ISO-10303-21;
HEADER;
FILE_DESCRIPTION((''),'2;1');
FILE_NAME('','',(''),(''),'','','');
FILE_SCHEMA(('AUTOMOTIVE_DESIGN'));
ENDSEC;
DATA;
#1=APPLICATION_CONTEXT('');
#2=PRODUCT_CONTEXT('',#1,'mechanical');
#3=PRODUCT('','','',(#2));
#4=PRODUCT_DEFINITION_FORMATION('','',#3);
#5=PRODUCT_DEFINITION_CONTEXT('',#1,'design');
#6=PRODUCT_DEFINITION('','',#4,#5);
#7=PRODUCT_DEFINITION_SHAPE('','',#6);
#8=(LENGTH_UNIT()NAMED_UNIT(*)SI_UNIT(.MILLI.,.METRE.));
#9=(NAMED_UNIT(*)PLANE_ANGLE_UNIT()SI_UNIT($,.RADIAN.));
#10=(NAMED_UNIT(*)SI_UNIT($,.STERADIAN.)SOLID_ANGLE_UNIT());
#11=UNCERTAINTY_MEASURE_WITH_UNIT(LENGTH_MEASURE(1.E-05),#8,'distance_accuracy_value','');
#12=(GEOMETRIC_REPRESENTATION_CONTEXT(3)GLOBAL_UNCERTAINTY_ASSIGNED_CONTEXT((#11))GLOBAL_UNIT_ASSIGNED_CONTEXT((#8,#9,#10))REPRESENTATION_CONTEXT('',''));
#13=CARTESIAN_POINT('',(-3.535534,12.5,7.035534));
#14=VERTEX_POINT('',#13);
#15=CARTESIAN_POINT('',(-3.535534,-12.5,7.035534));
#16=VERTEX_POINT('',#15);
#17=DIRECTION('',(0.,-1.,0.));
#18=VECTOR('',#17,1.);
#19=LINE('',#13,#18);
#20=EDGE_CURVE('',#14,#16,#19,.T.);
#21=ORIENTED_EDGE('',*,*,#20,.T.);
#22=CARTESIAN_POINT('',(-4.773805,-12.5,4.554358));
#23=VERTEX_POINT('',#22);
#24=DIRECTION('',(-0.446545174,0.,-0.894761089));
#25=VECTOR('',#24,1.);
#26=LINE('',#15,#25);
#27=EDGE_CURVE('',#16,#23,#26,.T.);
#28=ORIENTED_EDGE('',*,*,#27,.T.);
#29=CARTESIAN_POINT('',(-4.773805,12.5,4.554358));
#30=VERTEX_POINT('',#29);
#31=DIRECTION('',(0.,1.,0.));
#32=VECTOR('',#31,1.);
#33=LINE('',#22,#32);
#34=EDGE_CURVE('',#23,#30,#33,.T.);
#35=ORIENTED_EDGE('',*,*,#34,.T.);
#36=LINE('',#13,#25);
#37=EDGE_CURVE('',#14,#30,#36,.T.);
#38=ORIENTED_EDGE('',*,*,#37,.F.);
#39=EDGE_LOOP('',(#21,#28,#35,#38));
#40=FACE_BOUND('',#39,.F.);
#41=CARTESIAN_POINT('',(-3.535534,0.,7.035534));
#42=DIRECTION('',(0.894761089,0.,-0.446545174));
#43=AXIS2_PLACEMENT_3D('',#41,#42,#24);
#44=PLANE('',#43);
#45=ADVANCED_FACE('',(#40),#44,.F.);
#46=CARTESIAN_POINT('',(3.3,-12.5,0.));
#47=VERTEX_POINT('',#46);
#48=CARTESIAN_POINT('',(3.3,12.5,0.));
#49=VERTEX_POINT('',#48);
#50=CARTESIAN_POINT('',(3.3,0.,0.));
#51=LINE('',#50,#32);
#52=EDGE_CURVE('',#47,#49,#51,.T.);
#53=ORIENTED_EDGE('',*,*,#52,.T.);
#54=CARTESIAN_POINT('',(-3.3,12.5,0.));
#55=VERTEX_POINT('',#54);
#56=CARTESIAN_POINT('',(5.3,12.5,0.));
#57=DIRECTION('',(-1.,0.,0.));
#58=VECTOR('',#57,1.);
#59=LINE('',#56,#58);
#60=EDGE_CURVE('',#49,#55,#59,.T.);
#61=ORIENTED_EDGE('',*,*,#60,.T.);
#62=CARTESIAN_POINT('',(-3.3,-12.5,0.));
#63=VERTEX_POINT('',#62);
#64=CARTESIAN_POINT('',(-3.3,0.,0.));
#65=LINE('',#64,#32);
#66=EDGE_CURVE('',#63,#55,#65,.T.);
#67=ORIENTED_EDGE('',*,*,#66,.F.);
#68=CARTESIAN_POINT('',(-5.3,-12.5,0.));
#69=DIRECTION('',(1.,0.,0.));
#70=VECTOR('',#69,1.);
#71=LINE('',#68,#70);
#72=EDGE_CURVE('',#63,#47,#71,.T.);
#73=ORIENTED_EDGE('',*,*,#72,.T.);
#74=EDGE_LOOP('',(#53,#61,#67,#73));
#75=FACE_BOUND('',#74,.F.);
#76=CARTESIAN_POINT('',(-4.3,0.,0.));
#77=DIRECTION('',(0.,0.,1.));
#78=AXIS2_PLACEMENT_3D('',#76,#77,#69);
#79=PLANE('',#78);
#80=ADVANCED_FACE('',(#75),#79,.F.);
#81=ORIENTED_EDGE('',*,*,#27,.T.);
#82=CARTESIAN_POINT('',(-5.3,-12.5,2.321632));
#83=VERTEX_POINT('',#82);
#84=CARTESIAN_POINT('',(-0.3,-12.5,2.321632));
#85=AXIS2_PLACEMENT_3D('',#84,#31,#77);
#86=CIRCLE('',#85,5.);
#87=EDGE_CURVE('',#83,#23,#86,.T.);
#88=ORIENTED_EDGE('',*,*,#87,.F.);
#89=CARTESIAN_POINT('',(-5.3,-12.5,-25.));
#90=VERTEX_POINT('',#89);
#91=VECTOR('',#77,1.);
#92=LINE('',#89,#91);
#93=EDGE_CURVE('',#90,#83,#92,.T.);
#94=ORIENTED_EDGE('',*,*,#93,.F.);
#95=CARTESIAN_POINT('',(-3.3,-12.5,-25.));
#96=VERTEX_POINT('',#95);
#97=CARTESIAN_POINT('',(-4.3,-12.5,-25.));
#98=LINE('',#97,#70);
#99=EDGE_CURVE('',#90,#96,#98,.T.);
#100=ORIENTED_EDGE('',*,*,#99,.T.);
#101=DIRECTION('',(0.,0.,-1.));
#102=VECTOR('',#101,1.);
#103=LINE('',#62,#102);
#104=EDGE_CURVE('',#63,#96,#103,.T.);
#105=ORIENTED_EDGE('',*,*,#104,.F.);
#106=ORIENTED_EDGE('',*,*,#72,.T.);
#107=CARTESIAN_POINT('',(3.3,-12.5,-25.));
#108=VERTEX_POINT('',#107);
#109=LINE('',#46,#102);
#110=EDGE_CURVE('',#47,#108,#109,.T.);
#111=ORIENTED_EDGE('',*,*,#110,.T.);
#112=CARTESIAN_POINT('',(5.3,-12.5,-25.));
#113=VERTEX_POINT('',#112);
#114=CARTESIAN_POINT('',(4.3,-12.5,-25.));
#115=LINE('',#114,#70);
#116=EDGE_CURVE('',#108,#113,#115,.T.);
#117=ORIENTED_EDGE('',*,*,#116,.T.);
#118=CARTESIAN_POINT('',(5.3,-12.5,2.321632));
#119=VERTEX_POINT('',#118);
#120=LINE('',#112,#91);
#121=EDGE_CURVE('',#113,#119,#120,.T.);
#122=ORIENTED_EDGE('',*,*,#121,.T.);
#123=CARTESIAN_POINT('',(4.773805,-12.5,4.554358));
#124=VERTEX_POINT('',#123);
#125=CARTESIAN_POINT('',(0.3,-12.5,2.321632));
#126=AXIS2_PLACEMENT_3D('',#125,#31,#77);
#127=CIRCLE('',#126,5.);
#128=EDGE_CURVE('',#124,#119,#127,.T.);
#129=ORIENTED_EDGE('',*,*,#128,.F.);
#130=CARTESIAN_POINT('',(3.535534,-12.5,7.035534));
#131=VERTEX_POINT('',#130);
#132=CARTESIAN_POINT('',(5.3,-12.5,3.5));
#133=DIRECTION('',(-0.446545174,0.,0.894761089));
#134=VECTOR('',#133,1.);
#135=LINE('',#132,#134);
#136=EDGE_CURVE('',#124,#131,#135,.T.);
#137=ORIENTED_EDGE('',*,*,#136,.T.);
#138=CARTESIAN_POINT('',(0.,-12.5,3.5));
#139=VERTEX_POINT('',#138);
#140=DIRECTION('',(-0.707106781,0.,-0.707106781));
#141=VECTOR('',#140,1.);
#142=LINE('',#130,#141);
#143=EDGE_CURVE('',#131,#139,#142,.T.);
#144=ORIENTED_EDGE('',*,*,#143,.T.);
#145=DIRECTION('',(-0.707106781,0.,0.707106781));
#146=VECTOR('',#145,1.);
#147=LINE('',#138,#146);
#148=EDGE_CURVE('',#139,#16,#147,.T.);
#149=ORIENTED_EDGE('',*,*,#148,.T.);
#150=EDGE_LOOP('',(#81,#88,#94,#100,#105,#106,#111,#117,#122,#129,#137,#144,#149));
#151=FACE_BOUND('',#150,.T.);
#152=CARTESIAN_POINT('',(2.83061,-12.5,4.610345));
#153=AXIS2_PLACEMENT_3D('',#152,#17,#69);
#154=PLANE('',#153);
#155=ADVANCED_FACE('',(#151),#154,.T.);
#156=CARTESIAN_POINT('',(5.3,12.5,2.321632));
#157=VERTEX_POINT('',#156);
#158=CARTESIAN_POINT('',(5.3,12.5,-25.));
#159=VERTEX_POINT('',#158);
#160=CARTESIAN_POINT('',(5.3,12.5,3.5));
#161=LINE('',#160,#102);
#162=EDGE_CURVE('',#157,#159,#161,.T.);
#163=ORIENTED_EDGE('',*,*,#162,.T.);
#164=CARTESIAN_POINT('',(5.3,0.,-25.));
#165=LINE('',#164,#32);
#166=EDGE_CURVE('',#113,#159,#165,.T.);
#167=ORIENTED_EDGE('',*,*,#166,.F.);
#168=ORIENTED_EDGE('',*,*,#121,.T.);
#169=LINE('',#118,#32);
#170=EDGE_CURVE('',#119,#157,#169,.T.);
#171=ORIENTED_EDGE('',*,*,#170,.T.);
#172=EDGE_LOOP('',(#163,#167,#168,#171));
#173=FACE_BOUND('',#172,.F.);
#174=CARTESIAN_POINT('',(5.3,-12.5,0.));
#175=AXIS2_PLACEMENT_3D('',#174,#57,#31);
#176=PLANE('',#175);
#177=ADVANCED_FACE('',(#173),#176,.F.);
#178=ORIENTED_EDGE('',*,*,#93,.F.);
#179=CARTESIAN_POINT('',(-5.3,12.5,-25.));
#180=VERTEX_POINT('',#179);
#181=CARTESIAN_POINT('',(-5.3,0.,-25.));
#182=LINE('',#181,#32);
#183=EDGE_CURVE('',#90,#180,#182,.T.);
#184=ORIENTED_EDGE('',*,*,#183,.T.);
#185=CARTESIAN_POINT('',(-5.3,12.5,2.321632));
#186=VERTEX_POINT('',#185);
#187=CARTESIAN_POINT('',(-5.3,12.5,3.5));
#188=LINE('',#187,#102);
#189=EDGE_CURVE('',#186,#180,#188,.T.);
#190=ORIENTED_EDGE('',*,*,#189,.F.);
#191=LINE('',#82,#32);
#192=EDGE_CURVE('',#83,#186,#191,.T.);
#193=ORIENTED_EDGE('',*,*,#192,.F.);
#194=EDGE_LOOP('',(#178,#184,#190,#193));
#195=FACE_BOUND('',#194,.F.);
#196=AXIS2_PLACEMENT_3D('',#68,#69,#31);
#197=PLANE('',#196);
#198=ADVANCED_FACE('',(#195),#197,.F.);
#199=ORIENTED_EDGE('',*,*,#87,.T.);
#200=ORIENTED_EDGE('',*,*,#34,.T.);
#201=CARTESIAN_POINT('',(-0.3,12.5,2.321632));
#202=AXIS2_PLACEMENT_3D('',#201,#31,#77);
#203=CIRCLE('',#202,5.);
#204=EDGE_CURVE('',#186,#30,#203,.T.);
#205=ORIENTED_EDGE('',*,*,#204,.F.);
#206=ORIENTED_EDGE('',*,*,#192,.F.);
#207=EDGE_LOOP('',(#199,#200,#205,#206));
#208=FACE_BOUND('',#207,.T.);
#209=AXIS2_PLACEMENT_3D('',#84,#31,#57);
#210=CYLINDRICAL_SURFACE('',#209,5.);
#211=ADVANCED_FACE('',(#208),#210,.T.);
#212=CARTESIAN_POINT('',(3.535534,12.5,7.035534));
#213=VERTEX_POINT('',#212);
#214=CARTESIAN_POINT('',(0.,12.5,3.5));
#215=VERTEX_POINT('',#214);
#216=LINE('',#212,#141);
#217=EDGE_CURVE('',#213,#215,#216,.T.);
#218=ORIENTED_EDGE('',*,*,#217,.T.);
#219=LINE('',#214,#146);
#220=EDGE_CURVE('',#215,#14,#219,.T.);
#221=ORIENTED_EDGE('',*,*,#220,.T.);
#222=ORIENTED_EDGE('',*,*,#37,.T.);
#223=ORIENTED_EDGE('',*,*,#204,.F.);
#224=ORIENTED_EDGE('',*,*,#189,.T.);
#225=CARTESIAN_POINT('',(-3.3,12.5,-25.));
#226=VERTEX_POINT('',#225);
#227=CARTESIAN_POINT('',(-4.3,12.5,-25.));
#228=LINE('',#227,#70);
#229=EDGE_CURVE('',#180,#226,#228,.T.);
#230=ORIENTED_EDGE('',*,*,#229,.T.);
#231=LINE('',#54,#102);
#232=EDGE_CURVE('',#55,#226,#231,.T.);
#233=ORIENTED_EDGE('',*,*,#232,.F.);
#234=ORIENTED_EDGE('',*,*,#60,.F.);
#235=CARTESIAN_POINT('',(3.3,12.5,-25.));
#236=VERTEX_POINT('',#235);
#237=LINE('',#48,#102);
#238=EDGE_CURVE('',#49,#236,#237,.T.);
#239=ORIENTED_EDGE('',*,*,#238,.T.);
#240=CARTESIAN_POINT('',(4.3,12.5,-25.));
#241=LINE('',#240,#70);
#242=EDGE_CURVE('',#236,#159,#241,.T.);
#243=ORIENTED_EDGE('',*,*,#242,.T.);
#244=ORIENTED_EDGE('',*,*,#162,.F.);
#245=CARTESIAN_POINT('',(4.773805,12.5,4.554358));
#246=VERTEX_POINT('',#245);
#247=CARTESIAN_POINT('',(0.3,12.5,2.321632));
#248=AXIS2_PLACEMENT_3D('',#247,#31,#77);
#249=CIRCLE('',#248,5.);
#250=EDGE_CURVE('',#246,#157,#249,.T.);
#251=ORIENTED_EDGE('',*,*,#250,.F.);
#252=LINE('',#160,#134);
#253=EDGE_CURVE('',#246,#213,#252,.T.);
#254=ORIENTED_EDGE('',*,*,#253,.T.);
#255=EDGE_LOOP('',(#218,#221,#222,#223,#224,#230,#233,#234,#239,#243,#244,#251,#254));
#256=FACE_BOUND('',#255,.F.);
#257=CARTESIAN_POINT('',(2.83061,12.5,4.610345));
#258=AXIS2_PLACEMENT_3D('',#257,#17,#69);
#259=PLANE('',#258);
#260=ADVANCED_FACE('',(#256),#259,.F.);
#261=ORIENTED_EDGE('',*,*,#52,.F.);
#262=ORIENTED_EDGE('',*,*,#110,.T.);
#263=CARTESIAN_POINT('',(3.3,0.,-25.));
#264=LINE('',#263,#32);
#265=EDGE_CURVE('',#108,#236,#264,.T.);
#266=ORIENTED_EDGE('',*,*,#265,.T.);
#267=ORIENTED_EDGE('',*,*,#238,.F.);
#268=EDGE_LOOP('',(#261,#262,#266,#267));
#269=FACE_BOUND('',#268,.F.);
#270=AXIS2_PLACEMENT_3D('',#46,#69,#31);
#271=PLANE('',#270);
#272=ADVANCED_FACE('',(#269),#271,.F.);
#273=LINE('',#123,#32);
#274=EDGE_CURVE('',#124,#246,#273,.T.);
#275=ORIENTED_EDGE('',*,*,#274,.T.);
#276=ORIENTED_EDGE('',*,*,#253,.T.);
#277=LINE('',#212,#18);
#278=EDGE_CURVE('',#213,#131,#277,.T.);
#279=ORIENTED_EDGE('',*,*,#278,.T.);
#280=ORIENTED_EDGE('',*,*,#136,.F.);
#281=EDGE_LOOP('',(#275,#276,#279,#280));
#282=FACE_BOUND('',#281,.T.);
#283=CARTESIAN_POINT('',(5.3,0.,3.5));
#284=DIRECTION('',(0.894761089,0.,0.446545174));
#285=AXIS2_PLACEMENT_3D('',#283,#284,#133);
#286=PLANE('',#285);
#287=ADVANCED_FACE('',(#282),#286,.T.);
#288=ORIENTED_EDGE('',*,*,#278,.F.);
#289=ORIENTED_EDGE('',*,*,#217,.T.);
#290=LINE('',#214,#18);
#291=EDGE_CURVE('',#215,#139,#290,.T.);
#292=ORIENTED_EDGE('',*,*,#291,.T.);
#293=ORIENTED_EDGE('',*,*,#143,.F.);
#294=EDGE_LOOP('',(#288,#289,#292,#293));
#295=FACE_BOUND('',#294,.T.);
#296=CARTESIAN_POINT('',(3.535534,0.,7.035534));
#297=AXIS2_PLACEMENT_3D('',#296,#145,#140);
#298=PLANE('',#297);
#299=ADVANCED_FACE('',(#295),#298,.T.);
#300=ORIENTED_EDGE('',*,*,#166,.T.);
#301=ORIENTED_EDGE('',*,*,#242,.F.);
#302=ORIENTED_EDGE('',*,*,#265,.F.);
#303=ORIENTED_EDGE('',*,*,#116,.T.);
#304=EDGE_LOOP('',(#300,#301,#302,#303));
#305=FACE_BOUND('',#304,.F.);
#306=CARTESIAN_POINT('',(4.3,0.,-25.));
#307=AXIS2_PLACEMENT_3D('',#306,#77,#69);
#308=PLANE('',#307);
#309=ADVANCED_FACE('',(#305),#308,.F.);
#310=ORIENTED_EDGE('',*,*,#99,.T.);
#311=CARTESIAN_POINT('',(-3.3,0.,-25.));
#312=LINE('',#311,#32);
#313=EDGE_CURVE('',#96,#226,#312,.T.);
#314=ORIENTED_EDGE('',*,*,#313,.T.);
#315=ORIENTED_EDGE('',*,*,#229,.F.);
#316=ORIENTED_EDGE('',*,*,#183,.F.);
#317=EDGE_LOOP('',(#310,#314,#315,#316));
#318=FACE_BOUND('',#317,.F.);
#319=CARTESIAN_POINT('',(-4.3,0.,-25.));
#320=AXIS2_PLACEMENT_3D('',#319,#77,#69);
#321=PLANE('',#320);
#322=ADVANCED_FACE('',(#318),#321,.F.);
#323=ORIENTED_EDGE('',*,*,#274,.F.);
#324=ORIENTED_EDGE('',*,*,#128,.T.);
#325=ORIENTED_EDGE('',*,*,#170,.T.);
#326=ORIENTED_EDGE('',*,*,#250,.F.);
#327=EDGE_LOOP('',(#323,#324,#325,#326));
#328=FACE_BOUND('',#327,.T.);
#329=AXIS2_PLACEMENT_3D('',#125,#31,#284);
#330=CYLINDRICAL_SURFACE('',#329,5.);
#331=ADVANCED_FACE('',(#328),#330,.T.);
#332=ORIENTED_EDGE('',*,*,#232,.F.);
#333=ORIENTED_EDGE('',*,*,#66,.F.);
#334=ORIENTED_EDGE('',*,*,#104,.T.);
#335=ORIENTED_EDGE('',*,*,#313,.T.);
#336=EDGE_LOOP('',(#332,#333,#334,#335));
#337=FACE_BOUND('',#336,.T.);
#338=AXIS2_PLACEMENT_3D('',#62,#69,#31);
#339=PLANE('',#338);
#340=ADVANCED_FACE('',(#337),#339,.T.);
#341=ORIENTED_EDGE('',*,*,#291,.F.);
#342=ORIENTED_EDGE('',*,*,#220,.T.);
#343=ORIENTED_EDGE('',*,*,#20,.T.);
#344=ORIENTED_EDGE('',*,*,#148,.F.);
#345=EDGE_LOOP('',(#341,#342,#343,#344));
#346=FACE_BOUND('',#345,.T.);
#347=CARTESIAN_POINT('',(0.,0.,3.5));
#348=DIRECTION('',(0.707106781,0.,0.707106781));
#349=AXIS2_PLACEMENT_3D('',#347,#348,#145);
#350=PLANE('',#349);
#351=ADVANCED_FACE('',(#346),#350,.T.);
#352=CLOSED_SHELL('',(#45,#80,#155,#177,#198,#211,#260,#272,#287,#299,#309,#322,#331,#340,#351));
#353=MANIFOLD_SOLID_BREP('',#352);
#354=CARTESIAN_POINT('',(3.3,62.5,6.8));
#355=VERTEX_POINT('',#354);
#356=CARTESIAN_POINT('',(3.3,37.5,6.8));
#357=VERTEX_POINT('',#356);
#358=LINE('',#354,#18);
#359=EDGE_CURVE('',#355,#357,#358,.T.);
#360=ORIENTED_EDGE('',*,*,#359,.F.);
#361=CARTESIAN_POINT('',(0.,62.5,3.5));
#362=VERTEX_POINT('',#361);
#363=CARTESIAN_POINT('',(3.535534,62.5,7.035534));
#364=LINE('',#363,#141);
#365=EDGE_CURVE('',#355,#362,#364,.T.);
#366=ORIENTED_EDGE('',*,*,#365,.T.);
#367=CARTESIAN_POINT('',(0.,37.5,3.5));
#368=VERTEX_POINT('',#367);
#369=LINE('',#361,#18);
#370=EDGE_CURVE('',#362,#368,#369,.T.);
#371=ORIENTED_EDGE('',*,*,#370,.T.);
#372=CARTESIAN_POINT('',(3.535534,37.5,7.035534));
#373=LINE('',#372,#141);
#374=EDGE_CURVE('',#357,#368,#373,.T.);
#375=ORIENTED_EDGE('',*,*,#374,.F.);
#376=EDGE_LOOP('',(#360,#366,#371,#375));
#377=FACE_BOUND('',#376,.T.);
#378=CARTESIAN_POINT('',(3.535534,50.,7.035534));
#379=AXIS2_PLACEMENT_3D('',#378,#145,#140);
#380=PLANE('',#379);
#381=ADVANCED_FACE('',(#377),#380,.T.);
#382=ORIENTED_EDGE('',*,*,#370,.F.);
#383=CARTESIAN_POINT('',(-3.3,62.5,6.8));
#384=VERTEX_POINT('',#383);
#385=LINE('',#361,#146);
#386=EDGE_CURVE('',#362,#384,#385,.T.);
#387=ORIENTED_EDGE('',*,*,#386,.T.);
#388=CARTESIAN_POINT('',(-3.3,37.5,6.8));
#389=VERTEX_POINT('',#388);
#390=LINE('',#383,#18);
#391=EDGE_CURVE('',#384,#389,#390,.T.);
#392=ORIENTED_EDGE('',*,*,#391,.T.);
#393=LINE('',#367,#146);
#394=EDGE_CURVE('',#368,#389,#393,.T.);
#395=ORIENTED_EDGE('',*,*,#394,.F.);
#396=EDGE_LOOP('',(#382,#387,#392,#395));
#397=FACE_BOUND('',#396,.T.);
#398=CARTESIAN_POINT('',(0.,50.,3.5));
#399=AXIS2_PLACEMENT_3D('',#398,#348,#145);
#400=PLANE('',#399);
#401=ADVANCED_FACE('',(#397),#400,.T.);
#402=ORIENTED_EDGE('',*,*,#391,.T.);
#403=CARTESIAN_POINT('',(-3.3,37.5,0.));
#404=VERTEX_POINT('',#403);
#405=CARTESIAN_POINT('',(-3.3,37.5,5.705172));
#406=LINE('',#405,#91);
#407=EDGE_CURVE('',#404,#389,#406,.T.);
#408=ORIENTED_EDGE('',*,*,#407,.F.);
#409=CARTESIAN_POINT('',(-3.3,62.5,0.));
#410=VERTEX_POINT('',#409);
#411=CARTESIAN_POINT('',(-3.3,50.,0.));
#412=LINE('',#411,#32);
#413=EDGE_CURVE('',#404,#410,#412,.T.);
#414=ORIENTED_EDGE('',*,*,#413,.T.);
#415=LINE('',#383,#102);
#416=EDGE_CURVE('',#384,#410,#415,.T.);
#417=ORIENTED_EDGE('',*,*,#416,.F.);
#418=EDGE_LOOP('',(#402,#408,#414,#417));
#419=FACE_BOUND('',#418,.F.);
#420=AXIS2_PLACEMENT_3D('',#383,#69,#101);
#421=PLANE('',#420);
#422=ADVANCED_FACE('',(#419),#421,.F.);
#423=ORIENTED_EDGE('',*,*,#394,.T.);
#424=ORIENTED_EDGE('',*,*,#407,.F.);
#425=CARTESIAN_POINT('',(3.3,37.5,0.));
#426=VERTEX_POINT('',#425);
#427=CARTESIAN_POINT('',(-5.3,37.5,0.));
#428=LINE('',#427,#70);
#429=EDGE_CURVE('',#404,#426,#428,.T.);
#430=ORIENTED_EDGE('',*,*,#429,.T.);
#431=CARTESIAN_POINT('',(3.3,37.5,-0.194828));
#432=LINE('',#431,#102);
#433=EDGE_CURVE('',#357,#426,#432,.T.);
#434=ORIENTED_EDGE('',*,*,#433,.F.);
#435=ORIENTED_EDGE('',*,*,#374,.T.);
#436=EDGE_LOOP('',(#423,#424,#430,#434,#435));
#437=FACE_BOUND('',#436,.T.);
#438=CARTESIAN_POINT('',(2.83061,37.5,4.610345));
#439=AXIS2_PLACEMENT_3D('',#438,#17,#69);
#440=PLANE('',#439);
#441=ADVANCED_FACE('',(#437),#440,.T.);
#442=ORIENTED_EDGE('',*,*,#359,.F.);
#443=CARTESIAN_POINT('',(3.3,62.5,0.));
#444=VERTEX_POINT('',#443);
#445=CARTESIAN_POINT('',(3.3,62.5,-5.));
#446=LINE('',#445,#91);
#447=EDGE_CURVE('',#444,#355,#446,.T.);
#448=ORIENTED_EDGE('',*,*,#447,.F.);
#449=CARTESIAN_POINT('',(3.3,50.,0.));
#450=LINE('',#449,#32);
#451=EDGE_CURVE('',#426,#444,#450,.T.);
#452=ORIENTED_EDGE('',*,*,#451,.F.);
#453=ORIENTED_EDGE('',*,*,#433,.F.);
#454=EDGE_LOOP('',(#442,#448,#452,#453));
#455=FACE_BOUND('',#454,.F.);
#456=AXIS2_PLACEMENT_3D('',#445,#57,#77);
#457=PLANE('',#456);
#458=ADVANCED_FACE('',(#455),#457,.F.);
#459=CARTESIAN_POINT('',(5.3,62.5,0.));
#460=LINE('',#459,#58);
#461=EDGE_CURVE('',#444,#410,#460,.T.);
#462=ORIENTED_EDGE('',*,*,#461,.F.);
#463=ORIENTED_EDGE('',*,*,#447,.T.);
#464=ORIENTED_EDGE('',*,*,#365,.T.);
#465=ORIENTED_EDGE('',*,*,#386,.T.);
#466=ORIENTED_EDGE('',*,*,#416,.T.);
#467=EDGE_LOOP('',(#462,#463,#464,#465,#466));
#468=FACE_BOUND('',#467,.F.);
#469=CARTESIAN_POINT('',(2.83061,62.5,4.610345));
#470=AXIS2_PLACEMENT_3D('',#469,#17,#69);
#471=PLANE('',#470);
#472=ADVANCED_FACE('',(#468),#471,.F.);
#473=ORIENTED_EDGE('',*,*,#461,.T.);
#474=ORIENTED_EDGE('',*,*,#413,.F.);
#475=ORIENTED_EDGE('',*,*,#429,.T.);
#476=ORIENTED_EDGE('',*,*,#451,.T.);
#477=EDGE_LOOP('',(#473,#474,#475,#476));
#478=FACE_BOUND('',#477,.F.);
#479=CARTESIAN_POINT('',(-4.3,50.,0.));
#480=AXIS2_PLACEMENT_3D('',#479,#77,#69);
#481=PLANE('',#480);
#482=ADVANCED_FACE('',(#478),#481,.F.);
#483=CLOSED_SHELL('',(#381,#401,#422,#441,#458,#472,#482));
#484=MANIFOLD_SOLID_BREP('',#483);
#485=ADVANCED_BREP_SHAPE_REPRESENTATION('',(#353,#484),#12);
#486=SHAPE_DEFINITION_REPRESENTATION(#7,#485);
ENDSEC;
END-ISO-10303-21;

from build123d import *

# Parameters (mm, degrees)
F0_W          = 2
F0_H          = 25
F0_W_2        = 6.6
F1_DEPTH      = 3.5
F2_DEPTH      = 25
F4_DEPTH      = 12.5
F4_DEPTH_BACK = 12.5
F5_R          = 5
F7_W          = 25
F7_H          = 20
F8_DEPTH      = 25
F10_DEPTH     = 27.2


with BuildPart() as f1:
    # F0 (on Top) → F1 (new body)
    with BuildSketch(Plane.XY):
        with Locations((-4.3, 0)):
            Rectangle(F0_W, F0_H)
        Rectangle(F0_W_2, F0_H)
        with Locations((4.3, 0)):
            Rectangle(F0_W, F0_H)
    extrude(amount=F1_DEPTH)

    # F0 (on Top) → F2 (join)
    with BuildSketch(Plane.XY):
        with Locations((-4.3, 0)):
            Rectangle(F0_W, F0_H)
        with Locations((4.3, 0)):
            Rectangle(F0_W, F0_H)
    extrude(amount=-F2_DEPTH)

    # F3 (on Front) → F4 (join, two sides)
    with BuildSketch(Plane.XZ) as f4_sk:
        Polygon((0, 3.5), (5.3, 3.5), (3.5355339059, 7.0355339059), align=None)
        Polygon((-5.3, 3.5), (0, 3.5), (-3.5355339059, 7.0355339059), align=None)
    extrude(amount=F4_DEPTH)
    extrude(f4_sk.sketch, amount=-F4_DEPTH_BACK)

    # F5
    f5_edges = [f1.edges().sort_by_distance(p)[0] for p in [
        (-5.3, 0, 3.5),
        (5.3, 0, 3.5),
    ]]
    fillet(f5_edges, radius=F5_R)


with BuildPart() as f6_1:
    # F6: copy of F1
    add(f1.part.moved(Location((0, 50, 0))))

    # F7 (on face) → F8 (cut)
    with BuildSketch(Plane.YZ.offset(5.3)):
        with Locations((50, -15)):
            Rectangle(F7_W, F7_H)
    extrude(amount=-F8_DEPTH, mode=Mode.SUBTRACT)

    # F9 (on face) → F10 (cut)
    with BuildSketch(Plane(origin=(0, 62.5, 0), x_dir=(-1, 0, 0), z_dir=(0, 1, 0))):
        with BuildLine():
            Line((-5.3, 2.3216319807), (-5.3, -5))
            Line((-5.3, -5), (-3.3, -5))
            Line((-3.3, -5), (-3.3, 0))
            Line((-3.3, 0), (-3.3, 6.8))
            Line((-3.3, 6.8), (-3.5355339059, 7.0355339059))
            Line((-3.5355339059, 7.0355339059), (-4.7738054473, 4.5543578527))
            ThreePointArc((-4.7738054473, 4.5543578527), (-5.1666737736, 3.4685785277), (-5.3, 2.3216319807))
        make_face()
        with BuildLine():
            Line((3.3, 6.8), (3.3, 0))
            Line((3.3, 0), (3.3, -5))
            Line((3.3, -5), (5.3, -5))
            Line((5.3, -5), (5.3, 2.3216319807))
            ThreePointArc((5.3, 2.3216319807), (5.1666737736, 3.4685785277), (4.7738054473, 4.5543578527))
            Line((4.7738054473, 4.5543578527), (3.5355339059, 7.0355339059))
            Line((3.5355339059, 7.0355339059), (3.3, 6.8))
        make_face()
    extrude(amount=-F10_DEPTH, mode=Mode.SUBTRACT)


solid = Compound([f1.part, f6_1.part])
